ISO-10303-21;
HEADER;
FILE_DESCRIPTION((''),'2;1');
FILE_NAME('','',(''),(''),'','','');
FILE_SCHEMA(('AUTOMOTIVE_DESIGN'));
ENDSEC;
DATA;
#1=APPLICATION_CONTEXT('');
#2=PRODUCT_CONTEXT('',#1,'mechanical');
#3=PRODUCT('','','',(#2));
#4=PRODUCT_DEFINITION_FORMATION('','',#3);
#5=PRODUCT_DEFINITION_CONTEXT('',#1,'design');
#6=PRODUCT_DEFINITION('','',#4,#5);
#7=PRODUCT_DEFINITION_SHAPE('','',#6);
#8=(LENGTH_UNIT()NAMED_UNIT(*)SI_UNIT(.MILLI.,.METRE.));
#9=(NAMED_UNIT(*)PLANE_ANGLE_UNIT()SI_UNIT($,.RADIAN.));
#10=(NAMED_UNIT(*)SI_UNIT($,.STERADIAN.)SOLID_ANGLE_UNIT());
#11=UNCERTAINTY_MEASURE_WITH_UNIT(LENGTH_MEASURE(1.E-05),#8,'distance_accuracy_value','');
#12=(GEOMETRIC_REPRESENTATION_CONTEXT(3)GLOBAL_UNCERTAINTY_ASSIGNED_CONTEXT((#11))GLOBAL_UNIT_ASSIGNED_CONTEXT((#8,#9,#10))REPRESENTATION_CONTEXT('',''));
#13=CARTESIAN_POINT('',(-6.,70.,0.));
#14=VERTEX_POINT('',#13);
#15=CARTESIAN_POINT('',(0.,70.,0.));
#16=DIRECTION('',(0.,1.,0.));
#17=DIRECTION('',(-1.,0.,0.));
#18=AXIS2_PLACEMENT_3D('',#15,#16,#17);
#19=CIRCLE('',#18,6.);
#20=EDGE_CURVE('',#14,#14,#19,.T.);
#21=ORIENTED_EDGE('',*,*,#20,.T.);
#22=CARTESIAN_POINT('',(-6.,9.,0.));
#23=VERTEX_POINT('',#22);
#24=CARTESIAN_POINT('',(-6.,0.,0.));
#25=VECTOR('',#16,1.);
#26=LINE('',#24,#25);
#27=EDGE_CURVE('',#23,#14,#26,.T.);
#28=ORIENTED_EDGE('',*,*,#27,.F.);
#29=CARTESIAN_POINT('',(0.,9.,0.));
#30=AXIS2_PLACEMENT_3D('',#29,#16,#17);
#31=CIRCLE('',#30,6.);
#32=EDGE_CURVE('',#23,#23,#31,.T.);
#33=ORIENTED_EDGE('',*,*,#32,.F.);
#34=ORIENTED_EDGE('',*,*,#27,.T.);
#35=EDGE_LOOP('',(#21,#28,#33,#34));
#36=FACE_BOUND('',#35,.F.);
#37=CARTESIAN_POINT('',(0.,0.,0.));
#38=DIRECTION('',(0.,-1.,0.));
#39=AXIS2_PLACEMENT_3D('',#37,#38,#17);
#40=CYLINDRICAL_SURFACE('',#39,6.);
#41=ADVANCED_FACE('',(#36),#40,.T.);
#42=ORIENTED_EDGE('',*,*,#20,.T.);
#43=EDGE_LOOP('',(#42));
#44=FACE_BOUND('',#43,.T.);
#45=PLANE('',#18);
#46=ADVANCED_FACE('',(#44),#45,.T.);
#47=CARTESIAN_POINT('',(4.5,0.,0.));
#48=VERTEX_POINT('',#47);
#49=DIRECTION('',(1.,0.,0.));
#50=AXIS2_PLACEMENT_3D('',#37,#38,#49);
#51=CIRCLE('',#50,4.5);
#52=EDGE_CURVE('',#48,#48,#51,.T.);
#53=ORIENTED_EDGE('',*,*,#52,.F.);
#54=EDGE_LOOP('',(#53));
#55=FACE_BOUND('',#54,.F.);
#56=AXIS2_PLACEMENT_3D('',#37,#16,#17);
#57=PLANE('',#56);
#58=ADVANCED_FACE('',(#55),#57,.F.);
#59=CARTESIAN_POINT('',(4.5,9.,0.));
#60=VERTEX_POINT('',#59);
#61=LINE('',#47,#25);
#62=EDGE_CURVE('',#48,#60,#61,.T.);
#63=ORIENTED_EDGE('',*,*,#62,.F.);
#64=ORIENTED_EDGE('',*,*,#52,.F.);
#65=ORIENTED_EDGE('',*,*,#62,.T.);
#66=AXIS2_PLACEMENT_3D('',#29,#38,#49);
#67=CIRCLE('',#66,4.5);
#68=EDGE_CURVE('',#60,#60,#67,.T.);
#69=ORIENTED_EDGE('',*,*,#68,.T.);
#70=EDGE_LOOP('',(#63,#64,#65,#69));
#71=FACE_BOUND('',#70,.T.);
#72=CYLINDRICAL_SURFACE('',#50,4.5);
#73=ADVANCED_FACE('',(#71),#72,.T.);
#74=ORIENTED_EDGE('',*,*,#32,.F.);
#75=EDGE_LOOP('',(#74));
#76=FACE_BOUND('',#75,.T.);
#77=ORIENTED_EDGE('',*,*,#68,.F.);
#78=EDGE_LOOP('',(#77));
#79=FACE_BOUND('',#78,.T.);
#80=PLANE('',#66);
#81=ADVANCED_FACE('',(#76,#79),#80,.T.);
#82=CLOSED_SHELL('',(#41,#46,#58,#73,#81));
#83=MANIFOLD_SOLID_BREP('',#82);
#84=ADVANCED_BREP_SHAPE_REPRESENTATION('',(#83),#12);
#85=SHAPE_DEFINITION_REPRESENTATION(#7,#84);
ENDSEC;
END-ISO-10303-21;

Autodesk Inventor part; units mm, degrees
ref_plane "YZ Plane" through (0, 0, 0) normal (1, 0, 0) x (0, 1, 0)
ref_plane "XZ Plane" through (0, 0, 0) normal (0, 1, 0) x (-1, 0, 0)
ref_plane "XY Plane" through (0, 0, 0) normal (0, 0, 1) x (1, 0, 0)
sketch "Sketch1" plane through (0, 0, 0) normal (0, 1, 0) x (-1, 0, 0)
  circle A0 centre (0, 0) radius 6
  dimension "d0" = 12
extrude "Extrusion1" add sketch "Sketch1" along normal blind 70
sketch "Sketch2" plane through (0, 0, 0) normal (0, -1, 0) x (1, 0, 0)
  circle A0 centre (0, 0) radius 4.5
  circle A1 centre (0, 0) radius 6
  dimension "d3" = 9
extrude "Extrusion2" cut sketch "Sketch2" against normal blind 9
properties part number "as naar endeffector"
